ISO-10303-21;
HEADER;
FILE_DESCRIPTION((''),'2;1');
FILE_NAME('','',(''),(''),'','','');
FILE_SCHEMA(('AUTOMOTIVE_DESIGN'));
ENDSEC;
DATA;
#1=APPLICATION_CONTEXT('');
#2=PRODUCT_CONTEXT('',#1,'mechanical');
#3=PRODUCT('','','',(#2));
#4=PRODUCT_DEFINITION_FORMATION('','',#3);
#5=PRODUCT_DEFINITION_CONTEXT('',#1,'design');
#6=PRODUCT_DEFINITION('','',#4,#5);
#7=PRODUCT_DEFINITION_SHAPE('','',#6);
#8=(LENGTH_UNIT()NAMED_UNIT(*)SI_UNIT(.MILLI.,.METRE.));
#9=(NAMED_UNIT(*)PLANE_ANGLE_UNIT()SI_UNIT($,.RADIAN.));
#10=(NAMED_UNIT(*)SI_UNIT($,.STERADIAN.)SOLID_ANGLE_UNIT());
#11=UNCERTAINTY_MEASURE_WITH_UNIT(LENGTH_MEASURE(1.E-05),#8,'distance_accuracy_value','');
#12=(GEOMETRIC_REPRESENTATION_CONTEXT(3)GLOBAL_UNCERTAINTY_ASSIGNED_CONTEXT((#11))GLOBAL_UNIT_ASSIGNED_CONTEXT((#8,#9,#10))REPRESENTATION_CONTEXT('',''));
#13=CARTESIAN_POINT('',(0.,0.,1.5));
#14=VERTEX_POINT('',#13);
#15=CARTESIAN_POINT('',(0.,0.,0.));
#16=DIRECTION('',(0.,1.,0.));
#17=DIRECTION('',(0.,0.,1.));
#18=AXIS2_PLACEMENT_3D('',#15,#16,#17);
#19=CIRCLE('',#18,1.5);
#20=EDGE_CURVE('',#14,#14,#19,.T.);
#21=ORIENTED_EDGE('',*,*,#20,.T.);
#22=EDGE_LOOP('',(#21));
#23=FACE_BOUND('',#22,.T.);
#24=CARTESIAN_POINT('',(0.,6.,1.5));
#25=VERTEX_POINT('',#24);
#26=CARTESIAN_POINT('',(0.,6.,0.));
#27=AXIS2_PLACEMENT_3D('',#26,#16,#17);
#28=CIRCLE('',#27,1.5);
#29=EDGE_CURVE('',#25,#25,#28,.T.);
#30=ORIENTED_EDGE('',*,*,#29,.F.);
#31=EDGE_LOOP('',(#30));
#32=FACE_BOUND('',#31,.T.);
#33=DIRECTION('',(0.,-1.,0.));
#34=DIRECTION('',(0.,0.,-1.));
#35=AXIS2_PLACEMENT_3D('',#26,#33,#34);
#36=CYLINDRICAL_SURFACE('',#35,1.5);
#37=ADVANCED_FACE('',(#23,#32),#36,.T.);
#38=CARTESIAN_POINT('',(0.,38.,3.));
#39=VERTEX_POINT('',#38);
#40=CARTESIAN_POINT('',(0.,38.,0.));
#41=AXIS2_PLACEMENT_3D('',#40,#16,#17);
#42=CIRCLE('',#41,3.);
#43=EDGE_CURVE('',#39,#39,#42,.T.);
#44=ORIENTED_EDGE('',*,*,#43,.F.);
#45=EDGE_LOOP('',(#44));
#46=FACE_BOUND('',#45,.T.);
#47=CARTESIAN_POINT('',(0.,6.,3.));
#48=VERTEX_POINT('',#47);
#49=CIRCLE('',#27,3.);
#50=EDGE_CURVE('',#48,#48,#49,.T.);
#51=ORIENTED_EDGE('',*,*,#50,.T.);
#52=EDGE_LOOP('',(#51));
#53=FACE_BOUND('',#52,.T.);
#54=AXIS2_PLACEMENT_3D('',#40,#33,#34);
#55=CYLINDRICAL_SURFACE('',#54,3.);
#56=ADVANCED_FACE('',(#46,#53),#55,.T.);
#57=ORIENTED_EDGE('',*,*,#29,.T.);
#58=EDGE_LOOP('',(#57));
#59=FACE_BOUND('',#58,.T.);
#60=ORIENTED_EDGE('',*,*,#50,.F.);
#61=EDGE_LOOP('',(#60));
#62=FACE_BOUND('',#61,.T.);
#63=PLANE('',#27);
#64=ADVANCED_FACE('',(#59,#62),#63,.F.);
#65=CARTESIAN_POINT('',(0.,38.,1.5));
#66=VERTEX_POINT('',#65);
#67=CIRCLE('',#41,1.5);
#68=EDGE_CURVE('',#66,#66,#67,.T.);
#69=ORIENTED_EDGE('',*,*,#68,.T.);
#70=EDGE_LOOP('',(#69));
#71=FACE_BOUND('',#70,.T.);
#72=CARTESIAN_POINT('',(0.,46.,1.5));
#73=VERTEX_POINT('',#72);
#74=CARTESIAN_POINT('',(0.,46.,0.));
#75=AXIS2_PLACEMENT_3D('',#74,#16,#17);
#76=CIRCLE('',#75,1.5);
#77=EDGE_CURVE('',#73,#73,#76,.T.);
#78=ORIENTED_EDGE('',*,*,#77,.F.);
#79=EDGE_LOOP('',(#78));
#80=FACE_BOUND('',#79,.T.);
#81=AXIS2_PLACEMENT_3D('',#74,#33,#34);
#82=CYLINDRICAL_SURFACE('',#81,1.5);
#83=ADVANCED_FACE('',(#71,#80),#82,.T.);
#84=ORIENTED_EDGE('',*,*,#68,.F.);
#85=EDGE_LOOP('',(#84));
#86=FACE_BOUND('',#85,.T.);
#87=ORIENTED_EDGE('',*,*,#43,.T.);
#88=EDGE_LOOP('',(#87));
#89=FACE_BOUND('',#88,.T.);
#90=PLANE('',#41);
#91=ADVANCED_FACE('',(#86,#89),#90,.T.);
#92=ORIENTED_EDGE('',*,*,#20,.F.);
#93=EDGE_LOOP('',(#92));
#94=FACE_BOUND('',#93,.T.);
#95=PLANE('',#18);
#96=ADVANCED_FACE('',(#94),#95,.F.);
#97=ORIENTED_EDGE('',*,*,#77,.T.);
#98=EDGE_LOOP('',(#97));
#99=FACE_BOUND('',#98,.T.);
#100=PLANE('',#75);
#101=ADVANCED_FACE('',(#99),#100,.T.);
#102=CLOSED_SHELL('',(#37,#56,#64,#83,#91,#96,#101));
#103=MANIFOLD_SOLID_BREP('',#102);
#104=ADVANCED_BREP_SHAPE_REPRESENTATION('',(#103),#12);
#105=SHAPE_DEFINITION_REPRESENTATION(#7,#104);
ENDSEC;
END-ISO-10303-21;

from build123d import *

# Parameters (mm, degrees)
SKETCH1_R           = 1.5
BOSS_EXTRUDE1_DEPTH = 6
SKETCH2_R           = 3
BOSS_EXTRUDE2_DEPTH = 32
SKETCH3_R           = 1.5
BOSS_EXTRUDE3_DEPTH = 8


with BuildPart() as part:
    # Sketch1 → Boss-Extrude1 (new body)
    with BuildSketch(Plane(origin=(0, 0, 0), x_dir=(1, 0, 0), z_dir=(0, 1, 0))):
        Circle(SKETCH1_R)
    extrude(amount=BOSS_EXTRUDE1_DEPTH)

    # Sketch2 → Boss-Extrude2 (add)
    with BuildSketch(Plane(origin=(0, 6, 0), x_dir=(1, 0, 0), z_dir=(0, 1, 0))):
        Circle(SKETCH2_R)
    extrude(amount=BOSS_EXTRUDE2_DEPTH)

    # Sketch3 → Boss-Extrude3 (add)
    with BuildSketch(Plane(origin=(0, 38, 0), x_dir=(1, 0, 0), z_dir=(0, 1, 0))):
        Circle(SKETCH3_R)
    extrude(amount=BOSS_EXTRUDE3_DEPTH)


solid = part.part
